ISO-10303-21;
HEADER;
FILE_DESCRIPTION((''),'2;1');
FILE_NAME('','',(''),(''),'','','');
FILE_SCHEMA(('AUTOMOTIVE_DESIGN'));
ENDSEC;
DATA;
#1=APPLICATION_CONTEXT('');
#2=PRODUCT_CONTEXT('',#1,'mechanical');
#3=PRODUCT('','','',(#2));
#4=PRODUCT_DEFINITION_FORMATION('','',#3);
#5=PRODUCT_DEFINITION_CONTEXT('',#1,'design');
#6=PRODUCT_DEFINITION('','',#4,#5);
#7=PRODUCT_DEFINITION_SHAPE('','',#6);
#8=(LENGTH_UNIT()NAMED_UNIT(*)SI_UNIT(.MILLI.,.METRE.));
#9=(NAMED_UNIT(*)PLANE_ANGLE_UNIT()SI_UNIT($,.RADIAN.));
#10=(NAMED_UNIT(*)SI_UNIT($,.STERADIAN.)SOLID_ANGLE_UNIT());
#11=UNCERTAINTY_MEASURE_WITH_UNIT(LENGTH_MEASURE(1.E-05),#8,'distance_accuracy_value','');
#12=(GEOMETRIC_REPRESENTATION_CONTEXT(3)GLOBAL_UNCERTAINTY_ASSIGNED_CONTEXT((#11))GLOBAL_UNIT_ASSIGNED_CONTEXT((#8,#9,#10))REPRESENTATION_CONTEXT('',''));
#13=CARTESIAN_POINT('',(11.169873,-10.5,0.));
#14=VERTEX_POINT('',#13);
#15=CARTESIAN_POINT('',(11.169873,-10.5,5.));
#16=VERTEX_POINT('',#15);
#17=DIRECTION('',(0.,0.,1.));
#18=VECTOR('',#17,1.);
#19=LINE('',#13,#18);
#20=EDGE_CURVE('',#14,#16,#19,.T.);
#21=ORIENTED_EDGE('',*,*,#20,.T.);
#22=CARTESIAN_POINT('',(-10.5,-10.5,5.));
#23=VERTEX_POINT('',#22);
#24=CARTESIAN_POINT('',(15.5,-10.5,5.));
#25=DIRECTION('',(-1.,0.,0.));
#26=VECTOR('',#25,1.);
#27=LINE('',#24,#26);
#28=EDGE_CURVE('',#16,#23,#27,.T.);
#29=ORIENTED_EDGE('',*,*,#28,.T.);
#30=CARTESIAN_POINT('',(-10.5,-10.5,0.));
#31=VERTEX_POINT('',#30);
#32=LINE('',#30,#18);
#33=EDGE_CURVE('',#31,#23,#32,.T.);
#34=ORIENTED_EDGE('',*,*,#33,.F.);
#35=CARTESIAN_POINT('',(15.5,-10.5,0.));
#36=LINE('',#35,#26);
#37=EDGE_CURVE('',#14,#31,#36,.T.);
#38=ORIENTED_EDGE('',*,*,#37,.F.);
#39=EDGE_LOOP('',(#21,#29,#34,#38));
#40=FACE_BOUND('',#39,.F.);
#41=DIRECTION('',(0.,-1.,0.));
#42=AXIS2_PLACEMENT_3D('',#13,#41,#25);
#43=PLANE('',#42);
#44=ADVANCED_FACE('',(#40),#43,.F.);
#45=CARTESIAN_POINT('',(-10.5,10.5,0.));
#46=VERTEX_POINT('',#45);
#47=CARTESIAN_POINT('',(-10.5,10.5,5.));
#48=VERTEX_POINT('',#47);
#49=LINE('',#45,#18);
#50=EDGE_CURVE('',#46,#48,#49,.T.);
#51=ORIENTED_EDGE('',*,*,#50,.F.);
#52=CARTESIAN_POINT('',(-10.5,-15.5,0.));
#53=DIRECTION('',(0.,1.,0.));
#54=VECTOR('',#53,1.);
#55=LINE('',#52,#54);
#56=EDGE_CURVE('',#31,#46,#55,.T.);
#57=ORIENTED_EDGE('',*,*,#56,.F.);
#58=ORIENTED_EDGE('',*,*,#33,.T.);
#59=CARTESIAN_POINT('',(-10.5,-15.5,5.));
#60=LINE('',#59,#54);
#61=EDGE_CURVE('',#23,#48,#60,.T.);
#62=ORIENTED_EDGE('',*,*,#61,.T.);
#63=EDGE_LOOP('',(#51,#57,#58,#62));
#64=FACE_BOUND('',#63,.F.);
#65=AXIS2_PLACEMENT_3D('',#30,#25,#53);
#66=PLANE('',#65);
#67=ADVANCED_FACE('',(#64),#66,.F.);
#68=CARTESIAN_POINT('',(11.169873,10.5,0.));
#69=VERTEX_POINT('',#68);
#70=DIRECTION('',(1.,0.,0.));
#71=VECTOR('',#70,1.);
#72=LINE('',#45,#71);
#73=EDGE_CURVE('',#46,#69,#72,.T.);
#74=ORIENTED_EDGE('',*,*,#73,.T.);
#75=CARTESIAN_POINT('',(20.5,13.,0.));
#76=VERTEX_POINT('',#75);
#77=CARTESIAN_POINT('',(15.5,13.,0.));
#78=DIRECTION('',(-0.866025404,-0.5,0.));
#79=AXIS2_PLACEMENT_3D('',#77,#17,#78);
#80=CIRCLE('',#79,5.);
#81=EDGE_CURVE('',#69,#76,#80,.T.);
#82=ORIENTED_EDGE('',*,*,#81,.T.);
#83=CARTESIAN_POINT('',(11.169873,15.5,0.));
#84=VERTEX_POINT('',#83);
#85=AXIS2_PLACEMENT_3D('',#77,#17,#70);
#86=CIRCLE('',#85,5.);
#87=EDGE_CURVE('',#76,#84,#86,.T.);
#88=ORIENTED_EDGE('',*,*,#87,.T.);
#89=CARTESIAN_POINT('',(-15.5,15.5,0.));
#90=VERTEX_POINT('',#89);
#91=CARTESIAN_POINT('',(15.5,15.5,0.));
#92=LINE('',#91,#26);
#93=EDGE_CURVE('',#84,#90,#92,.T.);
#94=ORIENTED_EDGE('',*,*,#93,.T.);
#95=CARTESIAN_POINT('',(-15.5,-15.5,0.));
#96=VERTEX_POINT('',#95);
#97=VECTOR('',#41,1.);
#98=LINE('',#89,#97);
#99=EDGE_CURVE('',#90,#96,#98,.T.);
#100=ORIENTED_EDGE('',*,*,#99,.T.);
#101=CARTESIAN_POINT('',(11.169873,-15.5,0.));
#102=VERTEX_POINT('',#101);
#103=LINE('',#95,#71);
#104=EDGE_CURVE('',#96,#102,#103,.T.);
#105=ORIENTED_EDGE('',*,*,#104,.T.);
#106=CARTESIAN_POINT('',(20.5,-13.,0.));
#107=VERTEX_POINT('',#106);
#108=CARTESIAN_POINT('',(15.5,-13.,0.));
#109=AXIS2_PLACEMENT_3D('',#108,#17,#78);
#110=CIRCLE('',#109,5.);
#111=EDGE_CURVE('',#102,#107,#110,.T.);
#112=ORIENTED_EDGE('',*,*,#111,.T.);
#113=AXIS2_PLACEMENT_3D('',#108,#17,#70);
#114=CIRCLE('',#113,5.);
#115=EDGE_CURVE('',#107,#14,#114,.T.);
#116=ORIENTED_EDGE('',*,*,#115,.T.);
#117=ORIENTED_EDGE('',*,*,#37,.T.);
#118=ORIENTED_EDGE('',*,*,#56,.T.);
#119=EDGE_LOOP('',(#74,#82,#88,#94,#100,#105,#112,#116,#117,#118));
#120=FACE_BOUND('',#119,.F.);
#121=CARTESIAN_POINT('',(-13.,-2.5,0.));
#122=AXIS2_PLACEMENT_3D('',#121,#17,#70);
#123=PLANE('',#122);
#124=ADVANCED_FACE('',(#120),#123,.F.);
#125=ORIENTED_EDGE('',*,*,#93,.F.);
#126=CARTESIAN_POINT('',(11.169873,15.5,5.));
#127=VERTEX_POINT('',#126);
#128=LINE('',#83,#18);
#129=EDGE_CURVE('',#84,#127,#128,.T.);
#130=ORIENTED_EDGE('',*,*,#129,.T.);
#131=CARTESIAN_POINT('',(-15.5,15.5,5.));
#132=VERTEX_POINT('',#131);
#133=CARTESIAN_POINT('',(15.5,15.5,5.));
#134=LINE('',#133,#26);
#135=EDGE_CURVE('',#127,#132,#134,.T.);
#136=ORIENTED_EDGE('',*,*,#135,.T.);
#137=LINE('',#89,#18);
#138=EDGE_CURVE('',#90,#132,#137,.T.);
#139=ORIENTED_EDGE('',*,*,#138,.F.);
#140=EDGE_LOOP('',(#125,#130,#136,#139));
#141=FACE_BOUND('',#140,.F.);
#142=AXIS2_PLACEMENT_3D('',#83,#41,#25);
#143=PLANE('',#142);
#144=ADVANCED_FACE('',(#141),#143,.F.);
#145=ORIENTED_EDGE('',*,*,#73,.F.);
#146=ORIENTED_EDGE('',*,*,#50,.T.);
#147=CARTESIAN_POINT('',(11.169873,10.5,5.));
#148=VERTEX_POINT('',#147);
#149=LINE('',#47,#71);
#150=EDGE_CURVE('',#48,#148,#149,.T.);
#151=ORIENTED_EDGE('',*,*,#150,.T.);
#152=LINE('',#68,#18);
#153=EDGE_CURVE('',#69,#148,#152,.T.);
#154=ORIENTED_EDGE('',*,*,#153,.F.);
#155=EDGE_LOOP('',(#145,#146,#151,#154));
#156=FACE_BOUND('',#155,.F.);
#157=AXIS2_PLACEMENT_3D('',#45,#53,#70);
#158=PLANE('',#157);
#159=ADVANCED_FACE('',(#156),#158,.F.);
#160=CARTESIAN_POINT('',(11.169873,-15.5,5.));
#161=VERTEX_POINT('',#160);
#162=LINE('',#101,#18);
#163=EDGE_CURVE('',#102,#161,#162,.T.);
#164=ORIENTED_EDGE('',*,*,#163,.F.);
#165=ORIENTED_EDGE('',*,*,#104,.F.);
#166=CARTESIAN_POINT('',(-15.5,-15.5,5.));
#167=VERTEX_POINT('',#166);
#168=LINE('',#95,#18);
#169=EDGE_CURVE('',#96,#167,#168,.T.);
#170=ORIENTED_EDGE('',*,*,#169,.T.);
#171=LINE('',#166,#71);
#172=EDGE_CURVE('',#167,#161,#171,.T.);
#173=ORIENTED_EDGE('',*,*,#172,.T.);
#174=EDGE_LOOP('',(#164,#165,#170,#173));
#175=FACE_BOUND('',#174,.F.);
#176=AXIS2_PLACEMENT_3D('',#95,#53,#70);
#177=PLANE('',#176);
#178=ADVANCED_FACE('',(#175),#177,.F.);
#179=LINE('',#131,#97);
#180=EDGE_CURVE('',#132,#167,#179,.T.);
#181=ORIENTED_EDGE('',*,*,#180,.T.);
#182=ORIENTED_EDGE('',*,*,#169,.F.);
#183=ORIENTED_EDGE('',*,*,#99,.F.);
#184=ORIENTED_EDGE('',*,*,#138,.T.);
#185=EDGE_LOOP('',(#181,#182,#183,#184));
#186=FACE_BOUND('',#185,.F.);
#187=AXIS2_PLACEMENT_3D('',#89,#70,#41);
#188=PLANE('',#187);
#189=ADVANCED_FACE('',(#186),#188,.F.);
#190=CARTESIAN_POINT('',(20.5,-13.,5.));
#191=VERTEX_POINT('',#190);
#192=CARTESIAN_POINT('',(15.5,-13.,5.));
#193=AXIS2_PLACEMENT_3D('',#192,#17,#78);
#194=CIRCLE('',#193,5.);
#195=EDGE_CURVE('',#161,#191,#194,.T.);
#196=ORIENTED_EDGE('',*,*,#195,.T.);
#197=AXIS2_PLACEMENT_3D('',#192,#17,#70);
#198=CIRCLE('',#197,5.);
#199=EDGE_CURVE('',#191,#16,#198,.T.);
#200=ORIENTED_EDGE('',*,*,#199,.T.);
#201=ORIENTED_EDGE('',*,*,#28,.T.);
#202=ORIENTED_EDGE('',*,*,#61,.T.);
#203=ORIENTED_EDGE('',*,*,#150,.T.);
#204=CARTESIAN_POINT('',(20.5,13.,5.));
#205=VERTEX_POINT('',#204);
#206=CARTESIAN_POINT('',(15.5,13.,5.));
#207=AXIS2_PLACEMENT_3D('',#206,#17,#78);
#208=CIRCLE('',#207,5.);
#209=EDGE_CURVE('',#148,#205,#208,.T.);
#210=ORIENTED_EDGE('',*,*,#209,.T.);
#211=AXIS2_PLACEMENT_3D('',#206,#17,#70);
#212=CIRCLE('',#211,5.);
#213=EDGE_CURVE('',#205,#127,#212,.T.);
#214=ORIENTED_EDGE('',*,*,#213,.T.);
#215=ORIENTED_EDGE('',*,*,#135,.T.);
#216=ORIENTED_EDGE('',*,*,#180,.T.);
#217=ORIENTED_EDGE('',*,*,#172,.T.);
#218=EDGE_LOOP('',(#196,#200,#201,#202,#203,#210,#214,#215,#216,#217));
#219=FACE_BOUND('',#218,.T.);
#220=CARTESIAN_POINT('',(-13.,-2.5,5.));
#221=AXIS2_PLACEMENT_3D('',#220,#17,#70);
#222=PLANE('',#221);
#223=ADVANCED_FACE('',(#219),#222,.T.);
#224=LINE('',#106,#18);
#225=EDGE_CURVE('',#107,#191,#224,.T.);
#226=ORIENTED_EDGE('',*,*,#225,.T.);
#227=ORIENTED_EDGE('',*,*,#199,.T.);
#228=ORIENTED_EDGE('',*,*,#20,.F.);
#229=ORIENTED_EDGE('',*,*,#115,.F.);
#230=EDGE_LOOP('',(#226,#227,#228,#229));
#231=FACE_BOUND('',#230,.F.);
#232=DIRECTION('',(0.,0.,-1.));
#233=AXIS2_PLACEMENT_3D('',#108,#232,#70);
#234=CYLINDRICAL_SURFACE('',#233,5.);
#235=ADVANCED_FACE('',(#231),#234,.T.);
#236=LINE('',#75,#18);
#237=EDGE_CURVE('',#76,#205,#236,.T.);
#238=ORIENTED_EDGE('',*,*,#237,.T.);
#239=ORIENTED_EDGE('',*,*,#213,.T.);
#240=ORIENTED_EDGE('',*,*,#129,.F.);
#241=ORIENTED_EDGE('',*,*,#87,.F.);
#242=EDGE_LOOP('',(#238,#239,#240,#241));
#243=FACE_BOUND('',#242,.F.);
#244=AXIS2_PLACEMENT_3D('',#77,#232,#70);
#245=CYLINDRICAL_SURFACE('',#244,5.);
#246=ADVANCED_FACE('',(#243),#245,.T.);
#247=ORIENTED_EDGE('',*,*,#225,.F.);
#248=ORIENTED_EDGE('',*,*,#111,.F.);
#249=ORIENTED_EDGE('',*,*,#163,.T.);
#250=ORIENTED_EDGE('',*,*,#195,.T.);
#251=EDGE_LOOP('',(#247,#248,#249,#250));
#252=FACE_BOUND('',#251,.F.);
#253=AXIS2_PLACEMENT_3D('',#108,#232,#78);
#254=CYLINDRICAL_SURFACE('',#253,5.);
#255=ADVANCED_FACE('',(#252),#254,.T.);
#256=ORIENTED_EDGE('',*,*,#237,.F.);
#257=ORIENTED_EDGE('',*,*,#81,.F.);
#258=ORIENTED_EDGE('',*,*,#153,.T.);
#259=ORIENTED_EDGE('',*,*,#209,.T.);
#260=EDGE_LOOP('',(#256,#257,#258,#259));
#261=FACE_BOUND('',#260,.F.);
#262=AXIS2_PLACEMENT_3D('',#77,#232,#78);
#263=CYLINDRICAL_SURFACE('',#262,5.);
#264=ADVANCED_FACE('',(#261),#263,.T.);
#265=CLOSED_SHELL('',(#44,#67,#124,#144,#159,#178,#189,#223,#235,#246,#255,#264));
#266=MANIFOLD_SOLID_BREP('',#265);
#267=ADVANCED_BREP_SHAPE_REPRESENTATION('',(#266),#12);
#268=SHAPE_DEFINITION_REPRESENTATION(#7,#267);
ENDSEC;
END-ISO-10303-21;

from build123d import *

# Parameters (mm, degrees)
F2_DEPTH = 5


with BuildPart() as f2:
    # F1 (on Top) → F2 (new body)
    with BuildSketch(Plane.XY):
        Polygon((-10.5, -10.5), (-10.5, 10.5), (-15.5, 10.5), (-15.5, -15.5), (-10.5, -15.5), align=None)
        with BuildLine():
            Line((-10.5, 10.5), (10.5, 10.5))
            Line((10.5, 10.5), (11.1698729811, 10.5))
            ThreePointArc((11.1698729811, 10.5), (10.5, 13), (11.1698729811, 15.5))
            Line((11.1698729811, 15.5), (-15.5, 15.5))
            Line((-15.5, 15.5), (-15.5, 10.5))
            Line((-15.5, 10.5), (-10.5, 10.5))
        make_face()
        with BuildLine():
            ThreePointArc((11.1698729811, 15.5), (10.5, 13), (11.1698729811, 10.5))
            Line((11.1698729811, 10.5), (15.5, 10.5))
            Line((15.5, 10.5), (15.5, 15.5))
            Line((15.5, 15.5), (11.1698729811, 15.5))
        make_face()
        with BuildLine():
            Line((15.5, 10.5), (11.1698729811, 10.5))
            ThreePointArc((11.1698729811, 10.5), (16.7940952255, 8.1703708686), (20.5, 13))
            ThreePointArc((20.5, 13), (16.7940952255, 17.8296291314), (11.1698729811, 15.5))
            Line((11.1698729811, 15.5), (15.5, 15.5))
            Line((15.5, 15.5), (15.5, 10.5))
        make_face()
        with BuildLine():
            Line((11.1698729811, -10.5), (10.5, -10.5))
            Line((10.5, -10.5), (-10.5, -10.5))
            Line((-10.5, -10.5), (-10.5, -15.5))
            Line((-10.5, -15.5), (11.1698729811, -15.5))
            ThreePointArc((11.1698729811, -15.5), (10.5, -13), (11.1698729811, -10.5))
        make_face()
        with BuildLine():
            Line((15.5, -10.5), (11.1698729811, -10.5))
            ThreePointArc((11.1698729811, -10.5), (10.5, -13), (11.1698729811, -15.5))
            Line((11.1698729811, -15.5), (15.5, -15.5))
            Line((15.5, -15.5), (15.5, -10.5))
        make_face()
        with BuildLine():
            ThreePointArc((20.5, -13), (16.7940952255, -8.1703708686), (11.1698729811, -10.5))
            Line((11.1698729811, -10.5), (15.5, -10.5))
            Line((15.5, -10.5), (15.5, -15.5))
            Line((15.5, -15.5), (11.1698729811, -15.5))
            ThreePointArc((11.1698729811, -15.5), (16.7940952255, -17.8296291314), (20.5, -13))
        make_face()
    extrude(amount=F2_DEPTH)


solid = f2.part
